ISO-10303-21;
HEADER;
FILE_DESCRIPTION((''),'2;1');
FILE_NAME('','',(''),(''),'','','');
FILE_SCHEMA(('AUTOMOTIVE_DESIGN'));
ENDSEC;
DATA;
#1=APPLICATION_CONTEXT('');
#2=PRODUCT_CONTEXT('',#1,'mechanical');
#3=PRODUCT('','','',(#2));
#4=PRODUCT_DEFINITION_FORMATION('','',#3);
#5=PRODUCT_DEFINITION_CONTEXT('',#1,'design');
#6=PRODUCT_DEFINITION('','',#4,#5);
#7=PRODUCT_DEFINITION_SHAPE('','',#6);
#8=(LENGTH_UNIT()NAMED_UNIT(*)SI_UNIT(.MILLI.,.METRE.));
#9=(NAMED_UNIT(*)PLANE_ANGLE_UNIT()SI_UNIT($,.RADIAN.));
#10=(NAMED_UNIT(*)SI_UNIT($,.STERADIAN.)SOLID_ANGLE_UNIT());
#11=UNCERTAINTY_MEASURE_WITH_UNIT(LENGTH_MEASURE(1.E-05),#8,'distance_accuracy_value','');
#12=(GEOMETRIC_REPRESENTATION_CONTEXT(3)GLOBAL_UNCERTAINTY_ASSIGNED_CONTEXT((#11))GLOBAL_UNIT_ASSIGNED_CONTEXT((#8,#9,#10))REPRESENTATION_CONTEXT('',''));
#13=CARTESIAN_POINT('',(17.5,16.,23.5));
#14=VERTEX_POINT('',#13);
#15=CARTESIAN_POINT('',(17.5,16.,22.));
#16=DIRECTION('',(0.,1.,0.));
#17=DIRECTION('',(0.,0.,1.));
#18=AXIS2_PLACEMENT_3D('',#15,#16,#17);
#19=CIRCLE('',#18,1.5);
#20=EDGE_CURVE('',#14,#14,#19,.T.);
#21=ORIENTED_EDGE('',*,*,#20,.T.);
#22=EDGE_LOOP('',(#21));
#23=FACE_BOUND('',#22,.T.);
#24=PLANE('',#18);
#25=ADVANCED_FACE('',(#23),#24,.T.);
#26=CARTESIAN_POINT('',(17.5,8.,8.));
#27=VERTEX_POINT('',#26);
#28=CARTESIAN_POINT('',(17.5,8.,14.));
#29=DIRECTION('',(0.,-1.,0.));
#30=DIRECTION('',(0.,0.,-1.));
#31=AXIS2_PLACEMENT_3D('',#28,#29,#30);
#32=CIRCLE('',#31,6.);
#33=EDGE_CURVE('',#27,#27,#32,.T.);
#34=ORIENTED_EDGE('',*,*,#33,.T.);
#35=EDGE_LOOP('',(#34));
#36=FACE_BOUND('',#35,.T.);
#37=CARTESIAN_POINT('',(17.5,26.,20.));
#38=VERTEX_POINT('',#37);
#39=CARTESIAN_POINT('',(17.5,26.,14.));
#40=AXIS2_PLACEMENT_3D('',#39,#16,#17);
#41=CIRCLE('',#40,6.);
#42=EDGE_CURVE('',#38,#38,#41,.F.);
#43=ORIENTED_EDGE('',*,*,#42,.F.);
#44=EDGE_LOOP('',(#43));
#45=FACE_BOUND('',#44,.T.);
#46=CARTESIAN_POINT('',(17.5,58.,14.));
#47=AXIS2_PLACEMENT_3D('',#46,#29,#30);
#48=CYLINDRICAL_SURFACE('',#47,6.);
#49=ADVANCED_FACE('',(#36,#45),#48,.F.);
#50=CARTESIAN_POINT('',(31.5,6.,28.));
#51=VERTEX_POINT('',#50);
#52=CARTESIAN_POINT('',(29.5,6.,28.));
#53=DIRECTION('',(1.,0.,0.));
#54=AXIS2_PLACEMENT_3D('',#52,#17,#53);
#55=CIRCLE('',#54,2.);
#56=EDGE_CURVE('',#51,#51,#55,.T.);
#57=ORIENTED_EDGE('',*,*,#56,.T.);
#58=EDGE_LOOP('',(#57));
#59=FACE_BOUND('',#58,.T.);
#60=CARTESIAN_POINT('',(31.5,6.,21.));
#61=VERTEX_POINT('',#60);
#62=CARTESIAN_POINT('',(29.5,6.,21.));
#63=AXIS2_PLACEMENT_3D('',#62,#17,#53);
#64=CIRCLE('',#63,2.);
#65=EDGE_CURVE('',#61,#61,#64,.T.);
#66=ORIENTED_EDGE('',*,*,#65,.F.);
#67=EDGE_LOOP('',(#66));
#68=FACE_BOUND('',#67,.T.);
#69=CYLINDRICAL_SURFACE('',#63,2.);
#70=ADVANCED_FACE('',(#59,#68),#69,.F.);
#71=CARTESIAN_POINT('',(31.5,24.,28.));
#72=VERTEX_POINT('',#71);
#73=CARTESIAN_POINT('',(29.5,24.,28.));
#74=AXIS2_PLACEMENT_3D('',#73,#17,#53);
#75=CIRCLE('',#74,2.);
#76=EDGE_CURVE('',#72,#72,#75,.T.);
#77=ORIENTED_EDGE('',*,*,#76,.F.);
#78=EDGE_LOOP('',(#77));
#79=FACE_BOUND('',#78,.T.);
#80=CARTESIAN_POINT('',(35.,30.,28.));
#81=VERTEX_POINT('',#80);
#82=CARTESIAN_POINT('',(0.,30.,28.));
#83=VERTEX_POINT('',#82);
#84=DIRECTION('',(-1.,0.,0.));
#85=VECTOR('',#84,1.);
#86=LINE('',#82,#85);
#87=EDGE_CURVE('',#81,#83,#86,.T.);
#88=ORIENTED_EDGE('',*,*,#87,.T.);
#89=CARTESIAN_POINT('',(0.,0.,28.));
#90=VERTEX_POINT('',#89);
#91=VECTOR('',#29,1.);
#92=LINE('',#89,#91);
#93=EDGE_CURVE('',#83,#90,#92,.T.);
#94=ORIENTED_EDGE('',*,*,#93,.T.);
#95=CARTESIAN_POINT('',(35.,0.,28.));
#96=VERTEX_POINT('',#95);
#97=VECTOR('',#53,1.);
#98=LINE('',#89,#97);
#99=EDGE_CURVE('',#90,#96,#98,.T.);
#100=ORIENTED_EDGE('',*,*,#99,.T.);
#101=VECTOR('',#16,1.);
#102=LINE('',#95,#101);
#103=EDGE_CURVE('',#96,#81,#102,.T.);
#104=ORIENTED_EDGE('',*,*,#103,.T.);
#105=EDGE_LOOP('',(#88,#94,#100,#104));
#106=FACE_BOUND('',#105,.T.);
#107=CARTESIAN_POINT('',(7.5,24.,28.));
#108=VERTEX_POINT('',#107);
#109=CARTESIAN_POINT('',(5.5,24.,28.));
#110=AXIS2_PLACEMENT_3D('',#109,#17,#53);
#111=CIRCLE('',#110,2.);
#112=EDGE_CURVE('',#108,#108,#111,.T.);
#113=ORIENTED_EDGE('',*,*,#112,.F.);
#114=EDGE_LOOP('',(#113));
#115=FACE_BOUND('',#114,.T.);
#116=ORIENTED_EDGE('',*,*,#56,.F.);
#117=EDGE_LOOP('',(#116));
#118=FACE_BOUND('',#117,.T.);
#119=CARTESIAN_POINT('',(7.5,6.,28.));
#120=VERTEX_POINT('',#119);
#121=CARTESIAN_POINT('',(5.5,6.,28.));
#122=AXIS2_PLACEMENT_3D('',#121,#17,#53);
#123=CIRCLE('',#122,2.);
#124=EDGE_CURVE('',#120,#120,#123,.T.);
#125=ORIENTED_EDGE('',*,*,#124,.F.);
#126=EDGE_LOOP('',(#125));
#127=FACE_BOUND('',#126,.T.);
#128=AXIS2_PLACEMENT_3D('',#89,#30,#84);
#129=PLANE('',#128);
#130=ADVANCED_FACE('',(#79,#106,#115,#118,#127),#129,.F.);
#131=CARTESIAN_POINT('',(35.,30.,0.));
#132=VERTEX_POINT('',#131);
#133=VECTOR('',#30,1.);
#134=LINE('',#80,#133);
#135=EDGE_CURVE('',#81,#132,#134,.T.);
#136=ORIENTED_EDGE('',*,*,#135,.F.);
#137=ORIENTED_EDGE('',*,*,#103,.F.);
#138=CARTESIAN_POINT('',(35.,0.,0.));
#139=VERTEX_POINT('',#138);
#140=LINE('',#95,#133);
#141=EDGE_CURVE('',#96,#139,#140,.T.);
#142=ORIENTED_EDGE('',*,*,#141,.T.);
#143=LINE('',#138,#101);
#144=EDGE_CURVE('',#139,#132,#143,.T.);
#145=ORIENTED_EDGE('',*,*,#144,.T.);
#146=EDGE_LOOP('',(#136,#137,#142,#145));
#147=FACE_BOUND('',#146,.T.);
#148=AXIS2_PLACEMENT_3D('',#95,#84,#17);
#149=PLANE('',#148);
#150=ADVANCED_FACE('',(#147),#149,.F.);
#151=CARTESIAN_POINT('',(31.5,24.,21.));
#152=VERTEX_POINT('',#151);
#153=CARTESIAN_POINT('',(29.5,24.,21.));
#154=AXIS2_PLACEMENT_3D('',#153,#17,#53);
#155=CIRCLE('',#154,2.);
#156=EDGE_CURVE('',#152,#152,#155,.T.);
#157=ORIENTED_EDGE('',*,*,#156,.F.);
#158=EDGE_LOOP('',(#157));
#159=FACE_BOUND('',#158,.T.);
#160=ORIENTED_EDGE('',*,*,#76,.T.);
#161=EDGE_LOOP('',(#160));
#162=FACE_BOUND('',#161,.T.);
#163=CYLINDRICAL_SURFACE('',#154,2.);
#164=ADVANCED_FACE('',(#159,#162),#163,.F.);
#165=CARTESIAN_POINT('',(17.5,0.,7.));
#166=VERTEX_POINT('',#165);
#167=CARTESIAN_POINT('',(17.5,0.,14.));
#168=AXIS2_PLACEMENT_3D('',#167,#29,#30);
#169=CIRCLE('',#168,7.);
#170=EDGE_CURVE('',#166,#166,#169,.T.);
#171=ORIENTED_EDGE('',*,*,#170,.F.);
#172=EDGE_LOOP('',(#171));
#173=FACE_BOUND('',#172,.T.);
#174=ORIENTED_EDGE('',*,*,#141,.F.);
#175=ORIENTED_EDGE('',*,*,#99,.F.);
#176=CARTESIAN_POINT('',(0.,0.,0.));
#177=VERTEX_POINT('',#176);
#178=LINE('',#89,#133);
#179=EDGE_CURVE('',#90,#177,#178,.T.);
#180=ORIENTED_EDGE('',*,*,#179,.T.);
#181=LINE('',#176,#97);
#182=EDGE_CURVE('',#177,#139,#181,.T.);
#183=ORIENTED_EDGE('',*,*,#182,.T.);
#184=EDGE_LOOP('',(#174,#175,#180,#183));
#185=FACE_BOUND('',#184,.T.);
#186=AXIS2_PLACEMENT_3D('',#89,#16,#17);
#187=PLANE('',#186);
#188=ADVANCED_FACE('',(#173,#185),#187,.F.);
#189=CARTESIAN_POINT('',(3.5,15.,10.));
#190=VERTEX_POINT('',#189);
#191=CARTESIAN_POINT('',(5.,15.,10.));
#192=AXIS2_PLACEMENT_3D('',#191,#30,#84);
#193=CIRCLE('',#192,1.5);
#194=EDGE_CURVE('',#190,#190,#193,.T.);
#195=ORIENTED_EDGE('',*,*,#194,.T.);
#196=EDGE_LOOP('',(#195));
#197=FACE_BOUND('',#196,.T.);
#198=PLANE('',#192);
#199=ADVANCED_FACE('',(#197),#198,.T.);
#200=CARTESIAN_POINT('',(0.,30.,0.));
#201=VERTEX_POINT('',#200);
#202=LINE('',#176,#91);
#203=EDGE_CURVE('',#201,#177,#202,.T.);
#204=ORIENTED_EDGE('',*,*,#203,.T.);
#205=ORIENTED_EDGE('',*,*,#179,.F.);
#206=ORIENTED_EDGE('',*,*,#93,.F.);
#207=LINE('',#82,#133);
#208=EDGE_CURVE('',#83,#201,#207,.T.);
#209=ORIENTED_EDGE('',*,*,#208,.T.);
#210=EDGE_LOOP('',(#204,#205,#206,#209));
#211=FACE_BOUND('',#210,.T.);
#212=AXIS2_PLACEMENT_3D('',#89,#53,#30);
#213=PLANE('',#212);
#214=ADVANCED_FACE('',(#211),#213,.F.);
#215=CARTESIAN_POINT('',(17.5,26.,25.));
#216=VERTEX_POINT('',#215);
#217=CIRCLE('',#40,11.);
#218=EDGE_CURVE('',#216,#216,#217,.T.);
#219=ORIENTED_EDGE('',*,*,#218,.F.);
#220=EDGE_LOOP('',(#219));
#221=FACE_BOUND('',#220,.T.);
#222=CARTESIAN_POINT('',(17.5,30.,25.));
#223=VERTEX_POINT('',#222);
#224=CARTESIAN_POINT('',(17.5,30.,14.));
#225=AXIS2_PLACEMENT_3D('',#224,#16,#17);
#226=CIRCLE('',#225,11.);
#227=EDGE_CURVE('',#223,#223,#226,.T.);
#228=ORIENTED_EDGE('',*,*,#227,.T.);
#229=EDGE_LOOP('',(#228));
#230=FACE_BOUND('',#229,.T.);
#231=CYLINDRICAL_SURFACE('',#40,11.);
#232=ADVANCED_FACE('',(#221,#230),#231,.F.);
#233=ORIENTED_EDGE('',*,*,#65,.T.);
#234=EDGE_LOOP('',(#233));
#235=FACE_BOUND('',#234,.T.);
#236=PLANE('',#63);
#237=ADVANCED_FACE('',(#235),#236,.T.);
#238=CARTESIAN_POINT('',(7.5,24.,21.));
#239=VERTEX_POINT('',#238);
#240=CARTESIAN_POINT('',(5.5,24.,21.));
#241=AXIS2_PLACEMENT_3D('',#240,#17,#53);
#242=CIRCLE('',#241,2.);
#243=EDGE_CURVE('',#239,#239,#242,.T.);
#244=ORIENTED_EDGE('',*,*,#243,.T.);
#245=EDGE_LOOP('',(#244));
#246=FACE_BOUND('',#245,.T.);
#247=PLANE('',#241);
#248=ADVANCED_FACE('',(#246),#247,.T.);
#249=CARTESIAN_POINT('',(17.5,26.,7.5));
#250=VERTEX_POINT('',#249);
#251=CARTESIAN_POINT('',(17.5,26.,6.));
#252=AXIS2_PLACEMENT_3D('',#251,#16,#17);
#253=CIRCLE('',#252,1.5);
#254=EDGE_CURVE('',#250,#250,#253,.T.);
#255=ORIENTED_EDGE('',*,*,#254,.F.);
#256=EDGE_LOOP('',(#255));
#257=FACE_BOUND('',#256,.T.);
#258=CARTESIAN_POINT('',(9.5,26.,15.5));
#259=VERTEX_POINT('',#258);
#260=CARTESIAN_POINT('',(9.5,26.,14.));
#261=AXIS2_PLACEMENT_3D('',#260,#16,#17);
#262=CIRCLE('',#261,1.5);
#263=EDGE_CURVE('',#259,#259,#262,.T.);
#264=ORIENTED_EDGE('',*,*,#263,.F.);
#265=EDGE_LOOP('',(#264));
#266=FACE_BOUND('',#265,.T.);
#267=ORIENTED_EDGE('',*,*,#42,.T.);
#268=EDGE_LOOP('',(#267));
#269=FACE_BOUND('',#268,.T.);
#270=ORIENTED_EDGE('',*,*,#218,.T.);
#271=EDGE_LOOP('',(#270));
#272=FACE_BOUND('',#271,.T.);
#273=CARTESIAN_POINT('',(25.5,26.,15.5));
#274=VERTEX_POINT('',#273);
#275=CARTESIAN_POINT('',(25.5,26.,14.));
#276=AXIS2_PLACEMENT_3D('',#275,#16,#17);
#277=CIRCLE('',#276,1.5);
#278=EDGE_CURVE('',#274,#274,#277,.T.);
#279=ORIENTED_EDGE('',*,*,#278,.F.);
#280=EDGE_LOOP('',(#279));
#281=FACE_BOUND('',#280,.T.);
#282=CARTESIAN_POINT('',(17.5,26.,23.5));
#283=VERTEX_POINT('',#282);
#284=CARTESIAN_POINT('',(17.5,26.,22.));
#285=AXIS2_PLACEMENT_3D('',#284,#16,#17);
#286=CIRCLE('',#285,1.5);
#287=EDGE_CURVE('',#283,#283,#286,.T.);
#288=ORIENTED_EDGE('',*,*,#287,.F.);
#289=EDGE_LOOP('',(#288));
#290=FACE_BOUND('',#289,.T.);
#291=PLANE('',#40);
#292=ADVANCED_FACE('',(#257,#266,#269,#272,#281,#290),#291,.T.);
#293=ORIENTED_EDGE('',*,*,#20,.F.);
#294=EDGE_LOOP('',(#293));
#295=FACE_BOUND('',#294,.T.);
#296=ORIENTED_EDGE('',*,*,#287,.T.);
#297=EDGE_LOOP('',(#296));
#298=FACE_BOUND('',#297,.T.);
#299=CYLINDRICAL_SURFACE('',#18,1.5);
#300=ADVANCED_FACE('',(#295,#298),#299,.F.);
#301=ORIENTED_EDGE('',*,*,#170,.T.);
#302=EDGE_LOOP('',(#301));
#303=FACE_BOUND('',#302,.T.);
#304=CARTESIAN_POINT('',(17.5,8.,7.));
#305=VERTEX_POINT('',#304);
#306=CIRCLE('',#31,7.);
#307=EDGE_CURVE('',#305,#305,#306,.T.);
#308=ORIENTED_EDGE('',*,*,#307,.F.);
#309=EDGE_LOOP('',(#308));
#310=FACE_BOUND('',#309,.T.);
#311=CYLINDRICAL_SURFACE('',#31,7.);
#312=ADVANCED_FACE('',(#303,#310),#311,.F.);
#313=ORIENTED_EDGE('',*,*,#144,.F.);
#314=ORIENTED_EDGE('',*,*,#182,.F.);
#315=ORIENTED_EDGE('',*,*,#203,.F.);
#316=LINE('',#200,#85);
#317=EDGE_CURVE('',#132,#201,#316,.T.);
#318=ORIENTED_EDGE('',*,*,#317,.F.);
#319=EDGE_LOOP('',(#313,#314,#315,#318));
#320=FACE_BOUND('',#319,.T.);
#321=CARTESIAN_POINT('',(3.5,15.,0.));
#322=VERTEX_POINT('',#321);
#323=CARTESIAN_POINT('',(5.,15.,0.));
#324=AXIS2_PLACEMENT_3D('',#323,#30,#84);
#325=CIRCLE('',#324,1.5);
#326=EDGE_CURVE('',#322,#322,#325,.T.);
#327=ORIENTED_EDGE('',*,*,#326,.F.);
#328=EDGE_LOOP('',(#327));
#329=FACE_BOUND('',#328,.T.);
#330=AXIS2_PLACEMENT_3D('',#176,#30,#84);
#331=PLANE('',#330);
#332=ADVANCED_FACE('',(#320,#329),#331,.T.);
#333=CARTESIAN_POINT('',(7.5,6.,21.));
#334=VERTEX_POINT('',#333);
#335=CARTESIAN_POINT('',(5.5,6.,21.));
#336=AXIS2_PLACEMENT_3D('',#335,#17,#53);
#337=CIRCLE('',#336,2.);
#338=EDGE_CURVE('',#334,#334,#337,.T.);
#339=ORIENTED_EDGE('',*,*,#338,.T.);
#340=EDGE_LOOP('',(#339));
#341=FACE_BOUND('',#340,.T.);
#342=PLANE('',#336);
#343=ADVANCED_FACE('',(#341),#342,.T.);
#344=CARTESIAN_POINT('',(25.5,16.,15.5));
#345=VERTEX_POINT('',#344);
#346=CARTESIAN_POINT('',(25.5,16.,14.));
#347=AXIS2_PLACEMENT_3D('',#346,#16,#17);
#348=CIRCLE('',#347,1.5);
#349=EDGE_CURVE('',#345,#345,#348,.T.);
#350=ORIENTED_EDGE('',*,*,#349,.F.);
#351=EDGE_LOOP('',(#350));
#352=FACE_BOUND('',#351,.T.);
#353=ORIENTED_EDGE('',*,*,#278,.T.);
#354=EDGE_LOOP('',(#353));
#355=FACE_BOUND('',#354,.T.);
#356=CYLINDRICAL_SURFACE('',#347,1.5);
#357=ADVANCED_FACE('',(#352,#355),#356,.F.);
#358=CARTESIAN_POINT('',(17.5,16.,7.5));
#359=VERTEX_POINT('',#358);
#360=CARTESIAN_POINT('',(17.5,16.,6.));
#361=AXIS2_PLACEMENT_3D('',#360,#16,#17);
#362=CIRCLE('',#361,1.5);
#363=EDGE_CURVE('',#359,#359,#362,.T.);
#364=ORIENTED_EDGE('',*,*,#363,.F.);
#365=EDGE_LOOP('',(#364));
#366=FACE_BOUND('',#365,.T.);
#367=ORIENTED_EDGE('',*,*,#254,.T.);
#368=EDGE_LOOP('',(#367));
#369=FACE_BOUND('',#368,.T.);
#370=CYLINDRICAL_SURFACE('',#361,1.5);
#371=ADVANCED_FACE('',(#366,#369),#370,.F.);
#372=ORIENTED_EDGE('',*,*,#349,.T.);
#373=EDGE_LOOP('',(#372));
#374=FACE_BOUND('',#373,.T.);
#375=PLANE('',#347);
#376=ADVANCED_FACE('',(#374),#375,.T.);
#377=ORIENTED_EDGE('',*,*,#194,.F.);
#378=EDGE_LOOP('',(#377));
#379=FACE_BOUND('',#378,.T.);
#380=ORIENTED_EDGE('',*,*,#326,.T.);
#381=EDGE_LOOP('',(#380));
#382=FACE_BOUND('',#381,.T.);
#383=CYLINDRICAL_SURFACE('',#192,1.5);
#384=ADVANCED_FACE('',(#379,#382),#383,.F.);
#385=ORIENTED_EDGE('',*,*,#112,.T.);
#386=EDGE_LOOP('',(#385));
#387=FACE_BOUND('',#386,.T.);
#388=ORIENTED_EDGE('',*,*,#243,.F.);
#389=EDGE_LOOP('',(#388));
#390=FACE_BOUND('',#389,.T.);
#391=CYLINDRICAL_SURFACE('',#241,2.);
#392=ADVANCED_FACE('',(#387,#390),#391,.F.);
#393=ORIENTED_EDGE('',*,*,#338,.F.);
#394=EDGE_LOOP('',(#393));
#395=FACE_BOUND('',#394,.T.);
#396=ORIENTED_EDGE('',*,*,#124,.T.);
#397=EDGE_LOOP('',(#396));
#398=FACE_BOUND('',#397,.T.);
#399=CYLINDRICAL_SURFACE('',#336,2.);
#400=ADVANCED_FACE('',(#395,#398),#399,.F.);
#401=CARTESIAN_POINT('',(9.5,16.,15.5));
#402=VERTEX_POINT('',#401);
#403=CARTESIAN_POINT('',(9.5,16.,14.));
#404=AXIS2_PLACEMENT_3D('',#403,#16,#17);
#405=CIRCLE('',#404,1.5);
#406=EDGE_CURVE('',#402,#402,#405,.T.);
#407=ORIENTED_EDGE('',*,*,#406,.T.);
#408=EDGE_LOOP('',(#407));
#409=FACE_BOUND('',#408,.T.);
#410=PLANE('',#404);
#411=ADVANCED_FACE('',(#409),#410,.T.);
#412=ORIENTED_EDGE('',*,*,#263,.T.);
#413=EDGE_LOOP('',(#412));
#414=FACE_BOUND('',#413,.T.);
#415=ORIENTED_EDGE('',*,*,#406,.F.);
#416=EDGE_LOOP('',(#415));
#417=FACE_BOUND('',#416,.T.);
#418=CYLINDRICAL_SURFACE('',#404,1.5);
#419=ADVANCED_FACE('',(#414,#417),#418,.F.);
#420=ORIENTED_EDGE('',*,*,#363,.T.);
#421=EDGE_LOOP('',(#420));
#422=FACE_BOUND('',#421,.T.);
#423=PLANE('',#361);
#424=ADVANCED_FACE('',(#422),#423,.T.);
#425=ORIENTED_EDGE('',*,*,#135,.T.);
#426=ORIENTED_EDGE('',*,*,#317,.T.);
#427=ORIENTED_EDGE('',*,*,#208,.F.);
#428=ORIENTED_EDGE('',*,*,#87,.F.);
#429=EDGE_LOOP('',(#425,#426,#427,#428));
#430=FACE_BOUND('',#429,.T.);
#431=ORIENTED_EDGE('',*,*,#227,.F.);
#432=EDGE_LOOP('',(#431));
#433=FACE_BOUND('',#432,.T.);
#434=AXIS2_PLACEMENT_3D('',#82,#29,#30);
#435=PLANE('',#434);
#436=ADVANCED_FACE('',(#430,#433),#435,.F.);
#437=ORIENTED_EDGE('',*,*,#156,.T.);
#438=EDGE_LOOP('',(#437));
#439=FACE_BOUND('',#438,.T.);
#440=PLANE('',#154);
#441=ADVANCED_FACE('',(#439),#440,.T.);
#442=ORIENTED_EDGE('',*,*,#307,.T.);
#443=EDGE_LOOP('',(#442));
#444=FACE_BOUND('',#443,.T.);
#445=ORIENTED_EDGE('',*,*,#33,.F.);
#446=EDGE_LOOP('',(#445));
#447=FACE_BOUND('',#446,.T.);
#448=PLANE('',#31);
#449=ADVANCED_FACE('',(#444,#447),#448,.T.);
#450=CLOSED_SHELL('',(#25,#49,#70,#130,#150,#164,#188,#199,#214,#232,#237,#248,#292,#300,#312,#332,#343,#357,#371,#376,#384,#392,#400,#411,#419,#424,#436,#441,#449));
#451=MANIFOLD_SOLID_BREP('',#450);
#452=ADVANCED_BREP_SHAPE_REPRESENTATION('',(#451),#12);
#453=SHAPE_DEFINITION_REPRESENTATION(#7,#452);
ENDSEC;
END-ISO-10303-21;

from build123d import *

# Parameters (mm, degrees)
SKETCH1_W           = 35
SKETCH1_H           = 30
BOSS_EXTRUDE1_DEPTH = 28
SKETCH2_R           = 2
CUT_EXTRUDE1_DEPTH  = 7
SKETCH4_R           = 7
CUT_EXTRUDE2_DEPTH  = 8
SKETCH5_R           = 6
CUT_EXTRUDE3_DEPTH  = 50
SKETCH6_R           = 11
CUT_EXTRUDE4_DEPTH  = 4
SKETCH7_R           = 1.5
CUT_EXTRUDE5_DEPTH  = 10
SKETCH8_R           = 1.5
CUT_EXTRUDE6_DEPTH  = 10


with BuildPart() as part:
    # Sketch1 → Boss-Extrude1 (new body)
    with BuildSketch(Plane.XY):
        with Locations((17.5, 15)):
            Rectangle(SKETCH1_W, SKETCH1_H)
    extrude(amount=BOSS_EXTRUDE1_DEPTH)

    # Sketch2 → Cut-Extrude1 (cut)
    with BuildSketch(Plane.XY.offset(28)):
        with Locations((5.5, 24)):
            Circle(SKETCH2_R)
        with Locations((5.5, 6)):
            Circle(SKETCH2_R)
        with Locations((29.5, 6)):
            Circle(SKETCH2_R)
        with Locations((29.5, 24)):
            Circle(SKETCH2_R)
    extrude(amount=-CUT_EXTRUDE1_DEPTH, mode=Mode.SUBTRACT)

    # Sketch4 → Cut-Extrude2 (cut)
    with BuildSketch(Plane.XZ):
        with Locations((17.5, 14)):
            Circle(SKETCH4_R)
    extrude(amount=-CUT_EXTRUDE2_DEPTH, mode=Mode.SUBTRACT)

    # Sketch5 → Cut-Extrude3 (cut)
    with BuildSketch(Plane(origin=(0, 8, 0), x_dir=(-1, 0, 0), z_dir=(0, -1, 0))):
        with Locations((-17.5, -14)):
            Circle(SKETCH5_R)
    extrude(amount=-CUT_EXTRUDE3_DEPTH, mode=Mode.SUBTRACT)

    # Sketch6 → Cut-Extrude4 (cut)
    with BuildSketch(Plane(origin=(0, 30, 0), x_dir=(1, 0, 0), z_dir=(0, 1, 0))):
        with Locations((17.5, -14)):
            Circle(SKETCH6_R)
    extrude(amount=-CUT_EXTRUDE4_DEPTH, mode=Mode.SUBTRACT)

    # Sketch7 → Cut-Extrude5 (cut)
    with BuildSketch(Plane(origin=(0, 26, 0), x_dir=(1, 0, 0), z_dir=(0, 1, 0))):
        with Locations((17.5, -6)):
            Circle(SKETCH7_R)
        with Locations((9.5, -14)):
            Circle(SKETCH7_R)
        with Locations((17.5, -22)):
            Circle(SKETCH7_R)
        with Locations((25.5, -14)):
            Circle(SKETCH7_R)
    extrude(amount=-CUT_EXTRUDE5_DEPTH, mode=Mode.SUBTRACT)

    # Sketch8 → Cut-Extrude6 (cut)
    with BuildSketch(Plane(origin=(0, 0, 0), x_dir=(-1, 0, 0), z_dir=(0, 0, -1))):
        with Locations((-5, 15)):
            Circle(SKETCH8_R)
    extrude(amount=-CUT_EXTRUDE6_DEPTH, mode=Mode.SUBTRACT)


solid = part.part
